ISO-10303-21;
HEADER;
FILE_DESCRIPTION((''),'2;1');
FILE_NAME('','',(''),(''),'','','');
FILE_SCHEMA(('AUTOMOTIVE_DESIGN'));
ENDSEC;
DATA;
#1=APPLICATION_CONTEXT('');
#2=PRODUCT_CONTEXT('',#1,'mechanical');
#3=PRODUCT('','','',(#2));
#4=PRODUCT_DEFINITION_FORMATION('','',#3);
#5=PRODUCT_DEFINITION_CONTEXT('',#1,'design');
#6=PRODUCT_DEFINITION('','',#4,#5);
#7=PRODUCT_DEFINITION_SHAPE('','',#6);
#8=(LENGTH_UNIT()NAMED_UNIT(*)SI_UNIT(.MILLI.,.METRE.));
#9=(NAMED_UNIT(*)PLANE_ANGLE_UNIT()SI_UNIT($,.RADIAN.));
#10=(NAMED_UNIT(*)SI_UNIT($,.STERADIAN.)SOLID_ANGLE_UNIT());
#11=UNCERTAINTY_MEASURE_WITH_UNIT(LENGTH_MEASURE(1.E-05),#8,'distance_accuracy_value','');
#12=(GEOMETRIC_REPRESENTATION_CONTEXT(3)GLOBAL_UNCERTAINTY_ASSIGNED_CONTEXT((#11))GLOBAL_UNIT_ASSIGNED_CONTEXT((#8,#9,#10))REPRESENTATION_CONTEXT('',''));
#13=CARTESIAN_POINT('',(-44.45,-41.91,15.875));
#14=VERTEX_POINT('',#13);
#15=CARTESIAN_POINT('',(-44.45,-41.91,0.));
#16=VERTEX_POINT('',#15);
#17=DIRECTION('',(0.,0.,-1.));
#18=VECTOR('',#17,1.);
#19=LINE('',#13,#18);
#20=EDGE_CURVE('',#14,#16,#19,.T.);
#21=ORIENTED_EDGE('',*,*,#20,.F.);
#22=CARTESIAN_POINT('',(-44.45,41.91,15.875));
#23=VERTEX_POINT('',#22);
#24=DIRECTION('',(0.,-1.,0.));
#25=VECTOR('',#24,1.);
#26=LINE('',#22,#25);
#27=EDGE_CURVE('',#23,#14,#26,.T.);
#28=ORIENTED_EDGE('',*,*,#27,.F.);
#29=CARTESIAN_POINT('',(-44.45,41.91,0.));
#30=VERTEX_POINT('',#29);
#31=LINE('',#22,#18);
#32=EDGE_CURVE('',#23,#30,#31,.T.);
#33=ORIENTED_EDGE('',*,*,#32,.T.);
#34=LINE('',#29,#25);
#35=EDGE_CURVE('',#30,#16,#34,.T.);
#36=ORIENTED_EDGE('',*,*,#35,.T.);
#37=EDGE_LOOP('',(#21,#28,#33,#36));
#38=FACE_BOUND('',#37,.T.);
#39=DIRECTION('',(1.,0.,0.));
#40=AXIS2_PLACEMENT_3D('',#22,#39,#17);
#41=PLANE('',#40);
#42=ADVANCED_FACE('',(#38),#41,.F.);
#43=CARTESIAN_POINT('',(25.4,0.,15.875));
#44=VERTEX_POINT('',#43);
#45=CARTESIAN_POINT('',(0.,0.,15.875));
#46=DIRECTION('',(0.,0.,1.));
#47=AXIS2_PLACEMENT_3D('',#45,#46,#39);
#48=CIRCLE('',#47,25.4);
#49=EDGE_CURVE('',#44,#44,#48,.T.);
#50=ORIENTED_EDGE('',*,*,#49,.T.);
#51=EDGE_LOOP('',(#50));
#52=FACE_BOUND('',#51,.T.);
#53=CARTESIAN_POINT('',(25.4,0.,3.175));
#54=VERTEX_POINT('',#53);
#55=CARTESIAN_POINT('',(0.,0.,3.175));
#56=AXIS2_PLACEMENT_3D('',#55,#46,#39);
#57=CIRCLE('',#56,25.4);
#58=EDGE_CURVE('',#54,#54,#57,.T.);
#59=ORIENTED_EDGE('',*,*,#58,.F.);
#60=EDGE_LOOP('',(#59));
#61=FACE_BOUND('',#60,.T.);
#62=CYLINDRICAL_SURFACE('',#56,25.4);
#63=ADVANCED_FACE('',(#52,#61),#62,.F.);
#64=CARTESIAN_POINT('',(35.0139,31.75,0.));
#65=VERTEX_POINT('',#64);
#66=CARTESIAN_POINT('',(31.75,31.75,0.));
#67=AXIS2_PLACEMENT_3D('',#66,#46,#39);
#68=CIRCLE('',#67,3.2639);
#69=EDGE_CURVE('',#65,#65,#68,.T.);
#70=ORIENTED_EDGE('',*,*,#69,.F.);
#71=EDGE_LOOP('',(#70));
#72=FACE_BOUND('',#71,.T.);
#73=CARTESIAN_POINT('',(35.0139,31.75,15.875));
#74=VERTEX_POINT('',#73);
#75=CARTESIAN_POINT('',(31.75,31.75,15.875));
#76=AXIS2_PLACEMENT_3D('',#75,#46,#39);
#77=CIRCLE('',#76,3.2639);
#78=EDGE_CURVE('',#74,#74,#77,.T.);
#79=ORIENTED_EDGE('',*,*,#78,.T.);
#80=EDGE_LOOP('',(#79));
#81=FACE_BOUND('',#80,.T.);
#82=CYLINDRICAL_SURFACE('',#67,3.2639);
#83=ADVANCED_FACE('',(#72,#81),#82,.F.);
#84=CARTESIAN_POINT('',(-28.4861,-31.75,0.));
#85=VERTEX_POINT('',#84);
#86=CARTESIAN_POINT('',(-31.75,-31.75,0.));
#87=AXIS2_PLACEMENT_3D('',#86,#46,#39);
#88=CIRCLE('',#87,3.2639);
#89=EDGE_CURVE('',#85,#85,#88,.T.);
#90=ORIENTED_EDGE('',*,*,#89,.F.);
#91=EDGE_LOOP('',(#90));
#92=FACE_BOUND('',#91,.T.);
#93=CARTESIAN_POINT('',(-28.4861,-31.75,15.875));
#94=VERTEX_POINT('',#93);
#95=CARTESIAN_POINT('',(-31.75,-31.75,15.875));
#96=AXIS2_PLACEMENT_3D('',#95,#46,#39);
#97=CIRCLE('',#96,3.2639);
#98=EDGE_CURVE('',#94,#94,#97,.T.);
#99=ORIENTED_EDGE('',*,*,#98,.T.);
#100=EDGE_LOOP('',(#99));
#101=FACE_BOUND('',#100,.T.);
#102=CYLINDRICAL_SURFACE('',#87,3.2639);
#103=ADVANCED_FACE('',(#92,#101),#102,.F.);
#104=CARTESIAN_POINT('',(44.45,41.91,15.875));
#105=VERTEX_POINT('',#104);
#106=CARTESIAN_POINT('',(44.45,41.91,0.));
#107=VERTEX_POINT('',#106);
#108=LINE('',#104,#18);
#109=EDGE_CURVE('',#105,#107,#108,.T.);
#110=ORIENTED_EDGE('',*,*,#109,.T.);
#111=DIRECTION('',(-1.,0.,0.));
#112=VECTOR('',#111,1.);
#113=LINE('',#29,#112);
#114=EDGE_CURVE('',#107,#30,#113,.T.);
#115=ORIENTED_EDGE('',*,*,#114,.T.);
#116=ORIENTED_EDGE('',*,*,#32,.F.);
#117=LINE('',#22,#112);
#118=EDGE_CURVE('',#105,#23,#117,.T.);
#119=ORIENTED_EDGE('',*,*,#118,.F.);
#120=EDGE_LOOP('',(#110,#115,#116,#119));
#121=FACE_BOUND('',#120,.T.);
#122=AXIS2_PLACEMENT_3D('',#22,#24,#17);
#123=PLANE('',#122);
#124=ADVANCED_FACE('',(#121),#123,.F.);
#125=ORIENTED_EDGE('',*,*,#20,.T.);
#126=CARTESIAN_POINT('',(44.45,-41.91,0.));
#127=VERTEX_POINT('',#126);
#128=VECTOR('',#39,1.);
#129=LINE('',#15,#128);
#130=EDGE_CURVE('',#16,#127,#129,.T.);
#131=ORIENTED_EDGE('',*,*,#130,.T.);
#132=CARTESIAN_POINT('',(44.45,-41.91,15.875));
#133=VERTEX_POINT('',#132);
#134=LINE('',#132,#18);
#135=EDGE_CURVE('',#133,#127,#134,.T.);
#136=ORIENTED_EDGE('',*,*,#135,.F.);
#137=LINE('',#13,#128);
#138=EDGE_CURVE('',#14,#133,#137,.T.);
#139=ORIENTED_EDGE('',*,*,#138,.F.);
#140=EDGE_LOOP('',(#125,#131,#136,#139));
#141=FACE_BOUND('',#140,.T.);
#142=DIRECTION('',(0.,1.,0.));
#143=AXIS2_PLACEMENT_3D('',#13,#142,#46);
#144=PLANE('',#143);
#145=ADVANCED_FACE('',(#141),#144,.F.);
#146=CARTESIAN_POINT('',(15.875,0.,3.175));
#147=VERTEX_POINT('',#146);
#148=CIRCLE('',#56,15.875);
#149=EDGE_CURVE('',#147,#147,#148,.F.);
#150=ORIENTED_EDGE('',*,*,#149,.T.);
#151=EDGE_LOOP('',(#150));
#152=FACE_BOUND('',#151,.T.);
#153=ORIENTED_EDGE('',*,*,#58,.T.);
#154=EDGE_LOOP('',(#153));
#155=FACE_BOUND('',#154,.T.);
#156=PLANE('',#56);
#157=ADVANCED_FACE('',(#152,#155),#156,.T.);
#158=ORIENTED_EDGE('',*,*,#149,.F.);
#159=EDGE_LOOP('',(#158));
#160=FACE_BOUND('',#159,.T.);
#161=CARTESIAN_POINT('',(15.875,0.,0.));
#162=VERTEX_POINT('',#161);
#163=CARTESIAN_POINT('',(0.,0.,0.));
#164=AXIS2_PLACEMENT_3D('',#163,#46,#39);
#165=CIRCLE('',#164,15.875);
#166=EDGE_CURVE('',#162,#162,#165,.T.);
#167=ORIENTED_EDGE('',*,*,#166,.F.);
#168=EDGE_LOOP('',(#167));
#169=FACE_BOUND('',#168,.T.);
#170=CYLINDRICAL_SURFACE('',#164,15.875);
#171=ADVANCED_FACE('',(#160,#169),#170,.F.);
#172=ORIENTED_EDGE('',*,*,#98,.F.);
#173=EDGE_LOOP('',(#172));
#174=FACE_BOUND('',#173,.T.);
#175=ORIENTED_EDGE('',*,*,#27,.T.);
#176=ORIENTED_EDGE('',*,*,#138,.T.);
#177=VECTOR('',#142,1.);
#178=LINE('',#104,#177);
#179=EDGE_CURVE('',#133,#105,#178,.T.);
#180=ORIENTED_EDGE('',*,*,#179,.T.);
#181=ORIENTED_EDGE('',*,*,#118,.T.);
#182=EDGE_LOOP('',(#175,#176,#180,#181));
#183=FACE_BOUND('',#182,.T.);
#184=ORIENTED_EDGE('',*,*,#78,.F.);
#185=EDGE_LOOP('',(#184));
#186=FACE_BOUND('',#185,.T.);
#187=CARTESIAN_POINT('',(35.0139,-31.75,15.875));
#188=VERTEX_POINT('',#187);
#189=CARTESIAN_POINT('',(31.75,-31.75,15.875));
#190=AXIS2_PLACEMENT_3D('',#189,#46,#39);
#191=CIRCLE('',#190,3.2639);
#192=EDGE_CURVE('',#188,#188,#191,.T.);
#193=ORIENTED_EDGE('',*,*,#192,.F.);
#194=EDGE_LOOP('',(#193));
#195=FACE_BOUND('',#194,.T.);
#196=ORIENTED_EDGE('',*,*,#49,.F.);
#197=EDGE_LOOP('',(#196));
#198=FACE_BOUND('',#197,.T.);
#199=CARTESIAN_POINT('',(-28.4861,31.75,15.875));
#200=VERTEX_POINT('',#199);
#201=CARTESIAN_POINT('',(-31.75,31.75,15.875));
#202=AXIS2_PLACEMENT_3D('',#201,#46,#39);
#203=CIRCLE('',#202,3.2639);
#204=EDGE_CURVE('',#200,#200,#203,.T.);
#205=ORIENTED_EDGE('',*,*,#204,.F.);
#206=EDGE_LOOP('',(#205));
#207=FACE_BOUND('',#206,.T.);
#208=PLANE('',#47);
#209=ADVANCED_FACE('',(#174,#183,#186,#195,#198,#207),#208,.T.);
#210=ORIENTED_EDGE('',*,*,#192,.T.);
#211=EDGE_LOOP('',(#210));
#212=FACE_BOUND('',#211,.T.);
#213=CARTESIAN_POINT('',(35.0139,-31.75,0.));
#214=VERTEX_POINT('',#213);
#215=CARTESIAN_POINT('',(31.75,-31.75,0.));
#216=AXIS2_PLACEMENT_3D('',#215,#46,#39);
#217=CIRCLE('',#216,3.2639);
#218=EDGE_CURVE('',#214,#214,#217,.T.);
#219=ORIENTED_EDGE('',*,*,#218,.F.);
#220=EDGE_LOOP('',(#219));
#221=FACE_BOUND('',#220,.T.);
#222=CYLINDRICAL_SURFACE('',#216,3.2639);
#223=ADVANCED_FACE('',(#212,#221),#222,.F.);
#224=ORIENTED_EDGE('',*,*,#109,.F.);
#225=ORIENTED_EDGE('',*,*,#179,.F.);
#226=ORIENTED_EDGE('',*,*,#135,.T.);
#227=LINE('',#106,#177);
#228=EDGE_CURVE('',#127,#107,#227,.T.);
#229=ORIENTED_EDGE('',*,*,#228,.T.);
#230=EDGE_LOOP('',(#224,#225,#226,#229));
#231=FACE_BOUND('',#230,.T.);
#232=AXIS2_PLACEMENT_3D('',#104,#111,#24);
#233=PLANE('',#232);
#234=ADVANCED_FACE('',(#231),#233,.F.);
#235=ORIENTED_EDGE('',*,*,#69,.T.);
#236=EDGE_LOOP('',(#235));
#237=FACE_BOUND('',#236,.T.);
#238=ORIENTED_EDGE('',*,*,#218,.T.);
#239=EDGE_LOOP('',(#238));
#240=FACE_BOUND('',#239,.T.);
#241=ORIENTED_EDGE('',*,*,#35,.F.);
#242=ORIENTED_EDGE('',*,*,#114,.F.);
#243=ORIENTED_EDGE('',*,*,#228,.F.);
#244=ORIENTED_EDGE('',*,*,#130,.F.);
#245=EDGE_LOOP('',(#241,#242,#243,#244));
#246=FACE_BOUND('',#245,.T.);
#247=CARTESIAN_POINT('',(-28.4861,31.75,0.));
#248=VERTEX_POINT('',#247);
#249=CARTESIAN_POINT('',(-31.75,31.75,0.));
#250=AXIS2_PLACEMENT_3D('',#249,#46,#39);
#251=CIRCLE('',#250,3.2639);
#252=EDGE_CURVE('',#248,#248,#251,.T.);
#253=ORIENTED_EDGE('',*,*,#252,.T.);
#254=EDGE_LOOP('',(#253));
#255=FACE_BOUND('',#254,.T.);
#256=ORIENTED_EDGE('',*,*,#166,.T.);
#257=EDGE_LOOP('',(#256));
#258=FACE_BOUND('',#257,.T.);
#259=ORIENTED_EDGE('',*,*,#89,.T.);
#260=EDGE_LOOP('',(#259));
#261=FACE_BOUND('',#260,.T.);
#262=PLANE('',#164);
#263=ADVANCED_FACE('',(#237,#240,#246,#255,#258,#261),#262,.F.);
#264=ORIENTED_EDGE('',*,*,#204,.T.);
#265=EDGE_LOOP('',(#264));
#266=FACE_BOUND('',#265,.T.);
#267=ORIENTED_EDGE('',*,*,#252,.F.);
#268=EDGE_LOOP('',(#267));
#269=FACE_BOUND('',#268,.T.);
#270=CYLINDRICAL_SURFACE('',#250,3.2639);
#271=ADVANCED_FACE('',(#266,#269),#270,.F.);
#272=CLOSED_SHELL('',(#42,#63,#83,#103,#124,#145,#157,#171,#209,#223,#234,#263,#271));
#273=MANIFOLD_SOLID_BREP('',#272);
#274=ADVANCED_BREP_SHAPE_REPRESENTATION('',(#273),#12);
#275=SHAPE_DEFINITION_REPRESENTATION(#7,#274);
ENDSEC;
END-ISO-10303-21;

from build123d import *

# Parameters (mm, degrees)
SKETCH1_W           = 88.9
SKETCH1_H           = 83.82
BOSS_EXTRUDE1_DEPTH = 15.875
SKETCH2_R           = 3.2639
SKETCH2_R_2         = 15.875
CUT_EXTRUDE1_DEPTH  = 16.875
SKETCH3_R           = 25.4
CUT_EXTRUDE2_DEPTH  = 12.7


with BuildPart() as part:
    # Sketch1 → Boss-Extrude1 (new body)
    with BuildSketch(Plane.XY):
        Rectangle(SKETCH1_W, SKETCH1_H)
    extrude(amount=BOSS_EXTRUDE1_DEPTH)

    # Sketch2 → Cut-Extrude1 (cut, through all)
    with BuildSketch(Plane.XY.offset(15.875)):
        with Locations((-31.75, 31.75)):
            Circle(SKETCH2_R)
        with Locations((31.75, 31.75)):
            Circle(SKETCH2_R)
        with Locations((31.75, -31.75)):
            Circle(SKETCH2_R)
        with Locations((-31.75, -31.75)):
            Circle(SKETCH2_R)
        Circle(SKETCH2_R_2)
    extrude(amount=-CUT_EXTRUDE1_DEPTH, mode=Mode.SUBTRACT)

    # Sketch3 → Cut-Extrude2 (cut)
    with BuildSketch(Plane.XY.offset(15.875)):
        Circle(SKETCH3_R)
    extrude(amount=-CUT_EXTRUDE2_DEPTH, mode=Mode.SUBTRACT)


solid = part.part
